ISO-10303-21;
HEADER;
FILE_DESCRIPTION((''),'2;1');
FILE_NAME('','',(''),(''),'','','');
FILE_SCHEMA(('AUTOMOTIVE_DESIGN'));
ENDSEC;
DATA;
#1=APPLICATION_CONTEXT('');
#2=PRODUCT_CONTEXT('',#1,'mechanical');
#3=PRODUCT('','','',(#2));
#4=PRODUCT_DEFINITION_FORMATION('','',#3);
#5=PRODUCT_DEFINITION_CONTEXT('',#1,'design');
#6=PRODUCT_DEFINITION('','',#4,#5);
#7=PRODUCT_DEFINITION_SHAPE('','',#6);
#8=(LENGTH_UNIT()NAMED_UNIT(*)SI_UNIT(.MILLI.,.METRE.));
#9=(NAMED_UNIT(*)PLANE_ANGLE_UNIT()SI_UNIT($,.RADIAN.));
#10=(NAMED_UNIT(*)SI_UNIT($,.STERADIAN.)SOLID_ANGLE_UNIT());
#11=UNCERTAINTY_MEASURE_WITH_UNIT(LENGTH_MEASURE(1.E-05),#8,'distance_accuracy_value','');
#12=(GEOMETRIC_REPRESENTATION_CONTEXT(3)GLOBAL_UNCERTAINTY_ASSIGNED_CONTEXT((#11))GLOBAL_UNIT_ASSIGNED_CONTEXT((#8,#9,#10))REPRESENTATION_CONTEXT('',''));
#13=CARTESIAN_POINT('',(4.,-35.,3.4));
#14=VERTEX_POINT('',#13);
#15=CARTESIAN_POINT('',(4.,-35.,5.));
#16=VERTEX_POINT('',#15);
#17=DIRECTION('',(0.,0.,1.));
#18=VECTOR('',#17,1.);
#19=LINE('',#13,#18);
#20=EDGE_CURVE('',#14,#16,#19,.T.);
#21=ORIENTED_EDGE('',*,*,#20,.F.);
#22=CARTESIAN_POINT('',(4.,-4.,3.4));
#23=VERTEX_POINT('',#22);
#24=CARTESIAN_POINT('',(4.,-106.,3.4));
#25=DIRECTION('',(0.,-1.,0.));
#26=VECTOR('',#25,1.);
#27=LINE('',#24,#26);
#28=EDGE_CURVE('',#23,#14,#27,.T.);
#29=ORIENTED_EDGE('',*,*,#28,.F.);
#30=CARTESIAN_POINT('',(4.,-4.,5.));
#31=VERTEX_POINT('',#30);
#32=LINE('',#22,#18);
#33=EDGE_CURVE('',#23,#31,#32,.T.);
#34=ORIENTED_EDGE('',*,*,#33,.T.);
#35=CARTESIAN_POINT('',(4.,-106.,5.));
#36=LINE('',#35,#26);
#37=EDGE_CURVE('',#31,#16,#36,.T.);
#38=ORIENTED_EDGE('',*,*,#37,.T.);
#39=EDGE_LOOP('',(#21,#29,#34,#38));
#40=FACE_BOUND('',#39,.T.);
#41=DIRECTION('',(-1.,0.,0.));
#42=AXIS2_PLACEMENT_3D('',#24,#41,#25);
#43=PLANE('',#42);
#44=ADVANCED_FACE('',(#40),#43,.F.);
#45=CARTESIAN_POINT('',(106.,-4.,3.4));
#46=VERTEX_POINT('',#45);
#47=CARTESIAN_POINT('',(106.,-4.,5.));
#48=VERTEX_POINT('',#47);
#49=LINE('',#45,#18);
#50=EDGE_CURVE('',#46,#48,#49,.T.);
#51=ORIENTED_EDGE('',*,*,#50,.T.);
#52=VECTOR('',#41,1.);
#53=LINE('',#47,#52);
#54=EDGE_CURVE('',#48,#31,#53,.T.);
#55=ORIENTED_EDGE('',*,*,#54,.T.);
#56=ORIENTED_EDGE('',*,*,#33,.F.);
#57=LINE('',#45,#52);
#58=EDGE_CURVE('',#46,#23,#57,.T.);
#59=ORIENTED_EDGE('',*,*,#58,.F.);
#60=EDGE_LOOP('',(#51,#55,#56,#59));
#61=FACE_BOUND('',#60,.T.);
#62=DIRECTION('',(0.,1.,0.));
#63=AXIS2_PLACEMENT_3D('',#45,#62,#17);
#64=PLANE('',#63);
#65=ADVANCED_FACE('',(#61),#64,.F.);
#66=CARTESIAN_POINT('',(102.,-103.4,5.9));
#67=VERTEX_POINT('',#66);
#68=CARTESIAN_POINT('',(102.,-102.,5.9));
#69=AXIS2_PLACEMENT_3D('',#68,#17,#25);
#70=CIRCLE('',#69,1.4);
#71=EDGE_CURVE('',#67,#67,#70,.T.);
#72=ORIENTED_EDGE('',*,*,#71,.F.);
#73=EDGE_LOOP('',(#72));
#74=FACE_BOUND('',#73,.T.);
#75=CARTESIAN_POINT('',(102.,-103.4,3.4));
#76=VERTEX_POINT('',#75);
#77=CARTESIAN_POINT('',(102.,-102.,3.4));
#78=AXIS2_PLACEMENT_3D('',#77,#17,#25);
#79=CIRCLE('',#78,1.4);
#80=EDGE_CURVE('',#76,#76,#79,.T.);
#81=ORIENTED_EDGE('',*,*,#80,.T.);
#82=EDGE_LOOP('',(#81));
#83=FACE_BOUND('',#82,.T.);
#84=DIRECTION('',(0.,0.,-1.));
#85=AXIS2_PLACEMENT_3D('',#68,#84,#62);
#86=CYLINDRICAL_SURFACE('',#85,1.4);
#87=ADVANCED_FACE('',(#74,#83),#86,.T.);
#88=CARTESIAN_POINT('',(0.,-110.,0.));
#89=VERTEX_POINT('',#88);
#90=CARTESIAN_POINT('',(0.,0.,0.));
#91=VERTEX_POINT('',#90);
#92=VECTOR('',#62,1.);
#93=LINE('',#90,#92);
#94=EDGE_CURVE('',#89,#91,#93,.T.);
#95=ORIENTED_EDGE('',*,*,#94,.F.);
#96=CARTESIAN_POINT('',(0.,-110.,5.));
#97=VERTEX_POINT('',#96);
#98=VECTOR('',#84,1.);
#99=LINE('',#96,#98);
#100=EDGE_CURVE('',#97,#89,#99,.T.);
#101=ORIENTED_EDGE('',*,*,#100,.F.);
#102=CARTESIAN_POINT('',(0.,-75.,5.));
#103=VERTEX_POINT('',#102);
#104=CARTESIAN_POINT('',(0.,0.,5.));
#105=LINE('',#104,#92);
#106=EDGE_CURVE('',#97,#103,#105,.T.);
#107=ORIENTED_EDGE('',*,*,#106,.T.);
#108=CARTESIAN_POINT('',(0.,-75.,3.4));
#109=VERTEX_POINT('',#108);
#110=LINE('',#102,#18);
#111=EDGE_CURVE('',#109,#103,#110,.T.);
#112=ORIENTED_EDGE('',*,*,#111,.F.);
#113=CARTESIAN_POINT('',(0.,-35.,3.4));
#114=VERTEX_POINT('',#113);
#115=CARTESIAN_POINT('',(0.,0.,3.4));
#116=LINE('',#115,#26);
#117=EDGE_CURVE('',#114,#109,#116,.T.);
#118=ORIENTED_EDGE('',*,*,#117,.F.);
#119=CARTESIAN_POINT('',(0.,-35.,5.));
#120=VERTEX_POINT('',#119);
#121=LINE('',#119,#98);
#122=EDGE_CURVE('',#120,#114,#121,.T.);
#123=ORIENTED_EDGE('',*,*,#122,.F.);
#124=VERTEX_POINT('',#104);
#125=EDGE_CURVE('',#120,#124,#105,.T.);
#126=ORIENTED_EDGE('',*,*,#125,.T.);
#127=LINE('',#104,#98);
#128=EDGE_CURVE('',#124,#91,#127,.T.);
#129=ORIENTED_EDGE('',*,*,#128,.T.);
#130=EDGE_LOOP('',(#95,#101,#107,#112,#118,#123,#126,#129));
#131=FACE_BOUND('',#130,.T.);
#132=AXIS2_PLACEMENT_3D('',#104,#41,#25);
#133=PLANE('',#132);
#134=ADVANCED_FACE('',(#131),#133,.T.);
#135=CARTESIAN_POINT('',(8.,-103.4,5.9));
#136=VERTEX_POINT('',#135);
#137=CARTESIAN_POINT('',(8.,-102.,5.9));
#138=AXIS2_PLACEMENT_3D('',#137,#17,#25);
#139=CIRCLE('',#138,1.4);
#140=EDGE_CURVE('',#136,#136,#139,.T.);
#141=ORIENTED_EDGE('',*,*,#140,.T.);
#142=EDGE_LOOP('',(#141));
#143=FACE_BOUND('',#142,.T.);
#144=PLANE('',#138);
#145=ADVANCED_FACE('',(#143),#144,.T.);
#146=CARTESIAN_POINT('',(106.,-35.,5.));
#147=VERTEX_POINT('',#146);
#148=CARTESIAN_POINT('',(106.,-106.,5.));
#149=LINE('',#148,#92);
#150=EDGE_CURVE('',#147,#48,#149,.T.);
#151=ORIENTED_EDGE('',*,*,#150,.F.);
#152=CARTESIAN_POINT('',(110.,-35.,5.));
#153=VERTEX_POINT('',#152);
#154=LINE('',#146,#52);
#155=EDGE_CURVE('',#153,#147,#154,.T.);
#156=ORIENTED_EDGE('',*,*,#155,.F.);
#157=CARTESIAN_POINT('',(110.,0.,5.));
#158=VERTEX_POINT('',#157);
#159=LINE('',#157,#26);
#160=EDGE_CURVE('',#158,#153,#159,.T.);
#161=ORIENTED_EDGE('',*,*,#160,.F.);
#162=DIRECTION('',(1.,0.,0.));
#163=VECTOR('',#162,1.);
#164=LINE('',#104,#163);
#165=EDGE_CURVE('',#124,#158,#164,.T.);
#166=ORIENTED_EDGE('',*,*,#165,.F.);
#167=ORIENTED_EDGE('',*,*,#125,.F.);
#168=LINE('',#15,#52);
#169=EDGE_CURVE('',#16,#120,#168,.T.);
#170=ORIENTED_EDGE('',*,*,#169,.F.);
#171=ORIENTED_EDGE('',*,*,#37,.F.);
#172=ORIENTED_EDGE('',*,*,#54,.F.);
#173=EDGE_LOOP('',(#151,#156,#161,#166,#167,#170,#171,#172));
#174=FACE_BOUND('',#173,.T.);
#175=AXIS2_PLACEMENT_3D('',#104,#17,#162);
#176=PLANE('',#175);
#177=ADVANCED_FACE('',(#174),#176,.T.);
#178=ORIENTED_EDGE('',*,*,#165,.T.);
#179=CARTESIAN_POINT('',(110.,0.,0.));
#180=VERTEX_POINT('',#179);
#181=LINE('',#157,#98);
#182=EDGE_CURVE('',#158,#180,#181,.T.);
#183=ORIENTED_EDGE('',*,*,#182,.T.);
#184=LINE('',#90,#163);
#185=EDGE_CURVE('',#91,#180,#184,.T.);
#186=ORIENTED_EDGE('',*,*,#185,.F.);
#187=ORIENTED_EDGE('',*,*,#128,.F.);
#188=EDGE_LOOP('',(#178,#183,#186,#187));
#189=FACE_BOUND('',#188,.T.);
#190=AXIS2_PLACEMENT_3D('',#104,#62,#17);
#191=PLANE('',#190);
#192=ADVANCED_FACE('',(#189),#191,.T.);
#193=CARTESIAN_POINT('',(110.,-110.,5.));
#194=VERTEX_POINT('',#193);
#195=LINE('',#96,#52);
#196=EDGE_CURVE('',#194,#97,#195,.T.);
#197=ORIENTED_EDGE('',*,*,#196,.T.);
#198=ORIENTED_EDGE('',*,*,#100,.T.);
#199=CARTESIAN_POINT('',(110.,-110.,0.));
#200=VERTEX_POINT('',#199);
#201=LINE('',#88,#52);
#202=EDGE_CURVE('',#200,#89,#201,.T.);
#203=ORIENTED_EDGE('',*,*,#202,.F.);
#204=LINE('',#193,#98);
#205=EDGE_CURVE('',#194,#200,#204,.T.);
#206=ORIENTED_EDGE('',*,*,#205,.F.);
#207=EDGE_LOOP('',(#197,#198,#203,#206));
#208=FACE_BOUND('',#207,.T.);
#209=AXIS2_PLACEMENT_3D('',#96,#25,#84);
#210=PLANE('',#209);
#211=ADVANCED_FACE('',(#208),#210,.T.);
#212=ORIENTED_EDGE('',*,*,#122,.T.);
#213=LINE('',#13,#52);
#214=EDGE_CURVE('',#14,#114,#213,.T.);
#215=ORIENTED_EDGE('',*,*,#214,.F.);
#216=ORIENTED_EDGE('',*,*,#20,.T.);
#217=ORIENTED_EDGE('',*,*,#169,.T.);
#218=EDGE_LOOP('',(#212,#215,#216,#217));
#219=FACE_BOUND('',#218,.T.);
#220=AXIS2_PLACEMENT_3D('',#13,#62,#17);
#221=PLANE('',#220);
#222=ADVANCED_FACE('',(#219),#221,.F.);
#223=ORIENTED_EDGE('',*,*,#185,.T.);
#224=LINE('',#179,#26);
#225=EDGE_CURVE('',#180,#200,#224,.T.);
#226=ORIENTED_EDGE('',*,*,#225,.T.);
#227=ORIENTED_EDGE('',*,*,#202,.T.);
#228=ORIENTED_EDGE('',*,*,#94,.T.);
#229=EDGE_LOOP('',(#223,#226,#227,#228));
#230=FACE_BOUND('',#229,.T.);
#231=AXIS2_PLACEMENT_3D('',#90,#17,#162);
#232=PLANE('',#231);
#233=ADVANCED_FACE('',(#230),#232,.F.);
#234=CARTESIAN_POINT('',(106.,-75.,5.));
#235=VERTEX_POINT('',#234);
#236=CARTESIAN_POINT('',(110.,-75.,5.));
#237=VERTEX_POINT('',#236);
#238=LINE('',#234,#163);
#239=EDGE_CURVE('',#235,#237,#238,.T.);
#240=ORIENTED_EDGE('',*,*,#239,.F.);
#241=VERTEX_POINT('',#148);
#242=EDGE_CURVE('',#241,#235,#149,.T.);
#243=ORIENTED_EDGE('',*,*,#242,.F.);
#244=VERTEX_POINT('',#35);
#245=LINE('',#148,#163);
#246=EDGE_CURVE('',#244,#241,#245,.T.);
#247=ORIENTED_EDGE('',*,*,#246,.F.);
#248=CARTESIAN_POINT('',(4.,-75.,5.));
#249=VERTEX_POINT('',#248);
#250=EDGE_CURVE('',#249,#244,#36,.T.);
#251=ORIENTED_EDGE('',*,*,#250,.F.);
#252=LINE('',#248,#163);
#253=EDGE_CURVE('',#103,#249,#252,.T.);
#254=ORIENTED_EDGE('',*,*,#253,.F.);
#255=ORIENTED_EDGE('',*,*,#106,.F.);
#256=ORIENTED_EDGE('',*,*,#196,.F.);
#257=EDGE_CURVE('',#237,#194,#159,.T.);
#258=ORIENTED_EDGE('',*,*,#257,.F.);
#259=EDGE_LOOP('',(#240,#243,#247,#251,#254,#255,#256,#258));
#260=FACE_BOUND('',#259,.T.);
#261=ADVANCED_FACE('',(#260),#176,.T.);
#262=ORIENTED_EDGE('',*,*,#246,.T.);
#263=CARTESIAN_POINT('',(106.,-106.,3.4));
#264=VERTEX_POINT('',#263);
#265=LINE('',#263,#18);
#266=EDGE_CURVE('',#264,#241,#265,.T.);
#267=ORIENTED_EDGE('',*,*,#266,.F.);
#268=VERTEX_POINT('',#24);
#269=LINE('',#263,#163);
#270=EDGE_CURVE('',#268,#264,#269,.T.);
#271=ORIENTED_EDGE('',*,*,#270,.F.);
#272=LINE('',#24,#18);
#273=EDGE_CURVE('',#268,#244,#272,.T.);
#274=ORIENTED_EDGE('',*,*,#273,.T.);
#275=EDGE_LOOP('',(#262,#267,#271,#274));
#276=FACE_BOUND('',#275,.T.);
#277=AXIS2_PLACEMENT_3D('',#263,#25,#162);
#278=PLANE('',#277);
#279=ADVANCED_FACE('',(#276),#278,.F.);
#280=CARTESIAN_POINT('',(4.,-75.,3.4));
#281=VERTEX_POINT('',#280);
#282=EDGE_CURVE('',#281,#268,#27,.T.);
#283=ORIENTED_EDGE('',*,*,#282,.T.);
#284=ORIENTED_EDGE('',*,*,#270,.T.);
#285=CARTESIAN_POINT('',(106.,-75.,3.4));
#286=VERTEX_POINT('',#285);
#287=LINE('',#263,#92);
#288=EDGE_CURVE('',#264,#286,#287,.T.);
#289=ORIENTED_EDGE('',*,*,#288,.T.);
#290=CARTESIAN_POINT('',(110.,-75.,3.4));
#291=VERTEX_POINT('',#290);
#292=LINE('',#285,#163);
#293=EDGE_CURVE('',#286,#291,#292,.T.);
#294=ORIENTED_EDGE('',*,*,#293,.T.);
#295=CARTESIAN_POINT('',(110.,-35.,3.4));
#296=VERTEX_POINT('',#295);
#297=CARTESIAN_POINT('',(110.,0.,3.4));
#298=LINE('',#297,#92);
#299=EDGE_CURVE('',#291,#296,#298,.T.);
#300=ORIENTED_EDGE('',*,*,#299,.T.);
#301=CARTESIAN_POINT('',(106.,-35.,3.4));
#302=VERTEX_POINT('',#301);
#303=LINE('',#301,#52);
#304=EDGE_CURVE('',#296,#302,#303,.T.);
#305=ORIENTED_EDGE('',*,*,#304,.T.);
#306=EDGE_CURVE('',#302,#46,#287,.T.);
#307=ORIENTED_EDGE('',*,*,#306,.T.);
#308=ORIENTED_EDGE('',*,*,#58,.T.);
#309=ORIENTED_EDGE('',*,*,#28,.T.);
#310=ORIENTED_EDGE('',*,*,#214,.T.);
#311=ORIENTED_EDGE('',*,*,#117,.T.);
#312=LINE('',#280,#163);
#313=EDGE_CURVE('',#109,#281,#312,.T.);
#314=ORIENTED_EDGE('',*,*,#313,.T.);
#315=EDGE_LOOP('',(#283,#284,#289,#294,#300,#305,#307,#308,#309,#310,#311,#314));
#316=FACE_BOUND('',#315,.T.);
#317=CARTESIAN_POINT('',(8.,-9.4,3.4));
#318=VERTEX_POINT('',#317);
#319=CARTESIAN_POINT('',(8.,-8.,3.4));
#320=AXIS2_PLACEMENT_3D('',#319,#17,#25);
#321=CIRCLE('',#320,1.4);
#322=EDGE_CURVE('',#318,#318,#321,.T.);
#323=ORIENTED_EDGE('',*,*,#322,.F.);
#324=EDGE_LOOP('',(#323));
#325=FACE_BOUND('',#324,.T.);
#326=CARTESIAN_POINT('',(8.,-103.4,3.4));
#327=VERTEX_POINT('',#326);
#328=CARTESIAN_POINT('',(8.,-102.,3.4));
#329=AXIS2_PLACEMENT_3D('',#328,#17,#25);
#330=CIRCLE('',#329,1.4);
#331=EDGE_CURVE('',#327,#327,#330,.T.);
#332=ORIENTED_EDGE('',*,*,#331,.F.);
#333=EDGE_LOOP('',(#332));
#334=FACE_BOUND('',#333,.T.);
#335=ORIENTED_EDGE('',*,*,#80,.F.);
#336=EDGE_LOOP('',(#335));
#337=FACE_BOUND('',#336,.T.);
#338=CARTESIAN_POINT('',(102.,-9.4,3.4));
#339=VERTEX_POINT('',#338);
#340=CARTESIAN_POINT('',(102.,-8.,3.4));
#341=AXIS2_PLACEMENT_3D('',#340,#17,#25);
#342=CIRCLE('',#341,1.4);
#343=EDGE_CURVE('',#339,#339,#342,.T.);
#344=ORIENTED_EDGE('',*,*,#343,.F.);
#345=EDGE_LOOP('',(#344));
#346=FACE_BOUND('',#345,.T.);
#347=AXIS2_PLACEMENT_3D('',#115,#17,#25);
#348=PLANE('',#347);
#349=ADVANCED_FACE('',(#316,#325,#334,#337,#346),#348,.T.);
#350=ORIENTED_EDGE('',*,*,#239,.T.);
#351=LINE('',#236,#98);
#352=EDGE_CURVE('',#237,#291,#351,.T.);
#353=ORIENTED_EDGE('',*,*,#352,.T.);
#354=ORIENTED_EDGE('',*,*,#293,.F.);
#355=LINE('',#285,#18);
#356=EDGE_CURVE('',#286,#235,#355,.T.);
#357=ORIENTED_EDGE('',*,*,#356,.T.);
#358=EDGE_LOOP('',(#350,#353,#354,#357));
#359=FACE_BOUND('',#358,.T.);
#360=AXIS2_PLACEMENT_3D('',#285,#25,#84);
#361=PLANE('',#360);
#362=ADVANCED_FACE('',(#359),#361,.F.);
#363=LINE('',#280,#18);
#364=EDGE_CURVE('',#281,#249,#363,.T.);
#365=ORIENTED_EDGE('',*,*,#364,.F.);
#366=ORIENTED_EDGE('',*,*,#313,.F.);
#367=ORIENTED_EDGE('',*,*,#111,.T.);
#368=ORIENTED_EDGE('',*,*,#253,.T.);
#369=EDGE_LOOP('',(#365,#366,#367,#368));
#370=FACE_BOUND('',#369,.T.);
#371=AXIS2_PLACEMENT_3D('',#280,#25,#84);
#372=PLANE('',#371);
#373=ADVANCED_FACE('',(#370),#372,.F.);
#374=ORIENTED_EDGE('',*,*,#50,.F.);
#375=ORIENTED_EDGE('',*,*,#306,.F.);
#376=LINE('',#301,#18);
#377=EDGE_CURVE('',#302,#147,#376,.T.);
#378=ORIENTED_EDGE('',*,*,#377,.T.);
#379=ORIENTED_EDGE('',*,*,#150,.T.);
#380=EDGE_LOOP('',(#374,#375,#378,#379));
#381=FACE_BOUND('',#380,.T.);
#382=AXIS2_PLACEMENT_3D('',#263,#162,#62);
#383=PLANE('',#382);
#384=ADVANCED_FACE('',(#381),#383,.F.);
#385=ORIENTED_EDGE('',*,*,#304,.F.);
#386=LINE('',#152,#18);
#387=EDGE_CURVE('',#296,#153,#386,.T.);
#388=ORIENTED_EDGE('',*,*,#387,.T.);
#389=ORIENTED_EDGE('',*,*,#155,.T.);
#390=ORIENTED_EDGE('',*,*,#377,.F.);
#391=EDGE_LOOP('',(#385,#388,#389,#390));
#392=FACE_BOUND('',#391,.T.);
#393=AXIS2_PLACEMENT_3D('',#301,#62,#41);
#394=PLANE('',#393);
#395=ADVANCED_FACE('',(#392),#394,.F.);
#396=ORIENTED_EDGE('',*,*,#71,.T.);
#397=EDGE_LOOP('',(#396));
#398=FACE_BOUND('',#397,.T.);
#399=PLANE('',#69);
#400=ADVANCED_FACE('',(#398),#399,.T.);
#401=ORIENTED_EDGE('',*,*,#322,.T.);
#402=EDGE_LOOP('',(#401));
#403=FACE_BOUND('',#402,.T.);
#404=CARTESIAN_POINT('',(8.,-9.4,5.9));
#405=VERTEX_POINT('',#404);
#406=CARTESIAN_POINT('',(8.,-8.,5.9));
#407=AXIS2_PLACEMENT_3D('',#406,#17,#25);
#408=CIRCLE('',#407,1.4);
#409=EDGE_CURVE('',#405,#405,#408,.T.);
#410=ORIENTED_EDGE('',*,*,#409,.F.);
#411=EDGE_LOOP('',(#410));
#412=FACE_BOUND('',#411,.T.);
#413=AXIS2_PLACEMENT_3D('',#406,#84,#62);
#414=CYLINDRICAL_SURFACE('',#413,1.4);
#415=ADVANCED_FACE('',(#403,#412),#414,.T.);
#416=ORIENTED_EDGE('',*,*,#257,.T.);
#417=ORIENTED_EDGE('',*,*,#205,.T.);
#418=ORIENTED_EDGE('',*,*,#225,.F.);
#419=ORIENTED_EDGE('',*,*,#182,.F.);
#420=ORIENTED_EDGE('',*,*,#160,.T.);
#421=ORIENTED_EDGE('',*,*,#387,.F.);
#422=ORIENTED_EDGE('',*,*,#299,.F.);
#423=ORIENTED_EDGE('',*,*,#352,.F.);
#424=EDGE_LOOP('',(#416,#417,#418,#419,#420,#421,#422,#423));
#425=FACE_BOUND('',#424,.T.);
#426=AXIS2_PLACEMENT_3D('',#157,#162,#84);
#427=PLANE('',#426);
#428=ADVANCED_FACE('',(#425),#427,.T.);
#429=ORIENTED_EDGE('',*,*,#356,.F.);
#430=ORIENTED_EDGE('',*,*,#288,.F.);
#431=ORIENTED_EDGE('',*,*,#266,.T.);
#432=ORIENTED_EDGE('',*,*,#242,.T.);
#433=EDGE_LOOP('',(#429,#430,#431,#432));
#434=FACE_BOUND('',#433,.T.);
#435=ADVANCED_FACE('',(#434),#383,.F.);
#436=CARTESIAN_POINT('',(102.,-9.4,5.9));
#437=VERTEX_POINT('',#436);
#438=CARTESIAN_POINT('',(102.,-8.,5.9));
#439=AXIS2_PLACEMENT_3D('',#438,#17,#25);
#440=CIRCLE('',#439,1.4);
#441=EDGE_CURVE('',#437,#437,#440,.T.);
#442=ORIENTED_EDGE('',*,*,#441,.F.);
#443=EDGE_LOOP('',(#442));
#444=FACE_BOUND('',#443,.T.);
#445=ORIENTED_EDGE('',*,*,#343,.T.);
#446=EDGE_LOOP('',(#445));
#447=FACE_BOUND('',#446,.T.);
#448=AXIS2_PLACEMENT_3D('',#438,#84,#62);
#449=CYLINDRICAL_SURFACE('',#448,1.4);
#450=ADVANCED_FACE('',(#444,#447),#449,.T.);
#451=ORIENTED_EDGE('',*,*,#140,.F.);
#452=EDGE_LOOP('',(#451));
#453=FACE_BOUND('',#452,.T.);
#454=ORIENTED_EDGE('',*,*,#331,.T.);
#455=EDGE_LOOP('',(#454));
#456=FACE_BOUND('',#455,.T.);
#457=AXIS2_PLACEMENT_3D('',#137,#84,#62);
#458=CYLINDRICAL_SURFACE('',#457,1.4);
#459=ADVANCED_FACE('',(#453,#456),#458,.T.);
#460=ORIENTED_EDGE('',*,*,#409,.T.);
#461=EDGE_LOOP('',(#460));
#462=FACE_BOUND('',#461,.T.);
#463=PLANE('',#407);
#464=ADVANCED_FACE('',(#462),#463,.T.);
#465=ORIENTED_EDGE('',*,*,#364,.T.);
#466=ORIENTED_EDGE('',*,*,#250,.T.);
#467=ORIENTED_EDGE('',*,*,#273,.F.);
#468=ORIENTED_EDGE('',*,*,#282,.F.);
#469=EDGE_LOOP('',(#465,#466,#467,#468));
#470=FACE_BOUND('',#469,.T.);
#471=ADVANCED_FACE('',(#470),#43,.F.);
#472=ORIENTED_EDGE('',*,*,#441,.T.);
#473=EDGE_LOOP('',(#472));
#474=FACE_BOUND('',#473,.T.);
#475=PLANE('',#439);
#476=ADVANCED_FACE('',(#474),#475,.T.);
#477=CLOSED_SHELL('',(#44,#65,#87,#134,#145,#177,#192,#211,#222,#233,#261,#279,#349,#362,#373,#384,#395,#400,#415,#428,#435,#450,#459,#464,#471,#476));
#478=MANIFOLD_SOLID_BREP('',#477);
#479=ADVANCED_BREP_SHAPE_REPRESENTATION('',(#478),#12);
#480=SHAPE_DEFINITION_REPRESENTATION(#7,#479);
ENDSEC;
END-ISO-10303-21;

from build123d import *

# Parameters (mm, degrees)
SKETCH1_W           = 110
SKETCH1_H           = 110
BOSS_EXTRUDE1_DEPTH = 5
SKETCH3_W           = 102
SKETCH3_H           = 102
CUT_EXTRUDE1_DEPTH  = 1.6
SKETCH4_R           = 1.4
BOSS_EXTRUDE3_DEPTH = 2.5
SKETCH11_W          = 5
SKETCH11_H          = 40
CUT_EXTRUDE3_DEPTH  = 1.6


with BuildPart() as part:
    # Sketch1 → Boss-Extrude1 (new body)
    with BuildSketch(Plane(origin=(0, 0, 0), x_dir=(1, 0, 0), z_dir=(0, 0, -1))):
        with Locations((55, 55)):
            Rectangle(SKETCH1_W, SKETCH1_H)
    extrude(amount=-BOSS_EXTRUDE1_DEPTH)

    # Sketch3 → Cut-Extrude1 (cut)
    with BuildSketch(Plane(origin=(0, 0, 5), x_dir=(-1, 0, 0), z_dir=(0, 0, 1))):
        with Locations((-55, 55)):
            Rectangle(SKETCH3_W, SKETCH3_H)
    extrude(amount=-CUT_EXTRUDE1_DEPTH, mode=Mode.SUBTRACT)

    # Sketch4 → Boss-Extrude3 (add)
    with BuildSketch(Plane(origin=(0, 0, 3.4), x_dir=(-1, 0, 0), z_dir=(0, 0, 1))):
        with Locations((-102, 102)):
            Circle(SKETCH4_R)
        with Locations((-8, 102)):
            Circle(SKETCH4_R)
        with Locations((-102, 8)):
            Circle(SKETCH4_R)
        with Locations((-8, 8)):
            Circle(SKETCH4_R)
    extrude(amount=BOSS_EXTRUDE3_DEPTH)

    # Sketch11 → Cut-Extrude3 (cut)
    with BuildSketch(Plane(origin=(0, 0, 5), x_dir=(-1, 0, 0), z_dir=(0, 0, 1))):
        with Locations((-108.5, 55)):
            Rectangle(SKETCH11_W, SKETCH11_H)
        with Locations((-1.5, 55)):
            Rectangle(SKETCH11_W, SKETCH11_H)
    extrude(amount=-CUT_EXTRUDE3_DEPTH, mode=Mode.SUBTRACT)


solid = part.part
